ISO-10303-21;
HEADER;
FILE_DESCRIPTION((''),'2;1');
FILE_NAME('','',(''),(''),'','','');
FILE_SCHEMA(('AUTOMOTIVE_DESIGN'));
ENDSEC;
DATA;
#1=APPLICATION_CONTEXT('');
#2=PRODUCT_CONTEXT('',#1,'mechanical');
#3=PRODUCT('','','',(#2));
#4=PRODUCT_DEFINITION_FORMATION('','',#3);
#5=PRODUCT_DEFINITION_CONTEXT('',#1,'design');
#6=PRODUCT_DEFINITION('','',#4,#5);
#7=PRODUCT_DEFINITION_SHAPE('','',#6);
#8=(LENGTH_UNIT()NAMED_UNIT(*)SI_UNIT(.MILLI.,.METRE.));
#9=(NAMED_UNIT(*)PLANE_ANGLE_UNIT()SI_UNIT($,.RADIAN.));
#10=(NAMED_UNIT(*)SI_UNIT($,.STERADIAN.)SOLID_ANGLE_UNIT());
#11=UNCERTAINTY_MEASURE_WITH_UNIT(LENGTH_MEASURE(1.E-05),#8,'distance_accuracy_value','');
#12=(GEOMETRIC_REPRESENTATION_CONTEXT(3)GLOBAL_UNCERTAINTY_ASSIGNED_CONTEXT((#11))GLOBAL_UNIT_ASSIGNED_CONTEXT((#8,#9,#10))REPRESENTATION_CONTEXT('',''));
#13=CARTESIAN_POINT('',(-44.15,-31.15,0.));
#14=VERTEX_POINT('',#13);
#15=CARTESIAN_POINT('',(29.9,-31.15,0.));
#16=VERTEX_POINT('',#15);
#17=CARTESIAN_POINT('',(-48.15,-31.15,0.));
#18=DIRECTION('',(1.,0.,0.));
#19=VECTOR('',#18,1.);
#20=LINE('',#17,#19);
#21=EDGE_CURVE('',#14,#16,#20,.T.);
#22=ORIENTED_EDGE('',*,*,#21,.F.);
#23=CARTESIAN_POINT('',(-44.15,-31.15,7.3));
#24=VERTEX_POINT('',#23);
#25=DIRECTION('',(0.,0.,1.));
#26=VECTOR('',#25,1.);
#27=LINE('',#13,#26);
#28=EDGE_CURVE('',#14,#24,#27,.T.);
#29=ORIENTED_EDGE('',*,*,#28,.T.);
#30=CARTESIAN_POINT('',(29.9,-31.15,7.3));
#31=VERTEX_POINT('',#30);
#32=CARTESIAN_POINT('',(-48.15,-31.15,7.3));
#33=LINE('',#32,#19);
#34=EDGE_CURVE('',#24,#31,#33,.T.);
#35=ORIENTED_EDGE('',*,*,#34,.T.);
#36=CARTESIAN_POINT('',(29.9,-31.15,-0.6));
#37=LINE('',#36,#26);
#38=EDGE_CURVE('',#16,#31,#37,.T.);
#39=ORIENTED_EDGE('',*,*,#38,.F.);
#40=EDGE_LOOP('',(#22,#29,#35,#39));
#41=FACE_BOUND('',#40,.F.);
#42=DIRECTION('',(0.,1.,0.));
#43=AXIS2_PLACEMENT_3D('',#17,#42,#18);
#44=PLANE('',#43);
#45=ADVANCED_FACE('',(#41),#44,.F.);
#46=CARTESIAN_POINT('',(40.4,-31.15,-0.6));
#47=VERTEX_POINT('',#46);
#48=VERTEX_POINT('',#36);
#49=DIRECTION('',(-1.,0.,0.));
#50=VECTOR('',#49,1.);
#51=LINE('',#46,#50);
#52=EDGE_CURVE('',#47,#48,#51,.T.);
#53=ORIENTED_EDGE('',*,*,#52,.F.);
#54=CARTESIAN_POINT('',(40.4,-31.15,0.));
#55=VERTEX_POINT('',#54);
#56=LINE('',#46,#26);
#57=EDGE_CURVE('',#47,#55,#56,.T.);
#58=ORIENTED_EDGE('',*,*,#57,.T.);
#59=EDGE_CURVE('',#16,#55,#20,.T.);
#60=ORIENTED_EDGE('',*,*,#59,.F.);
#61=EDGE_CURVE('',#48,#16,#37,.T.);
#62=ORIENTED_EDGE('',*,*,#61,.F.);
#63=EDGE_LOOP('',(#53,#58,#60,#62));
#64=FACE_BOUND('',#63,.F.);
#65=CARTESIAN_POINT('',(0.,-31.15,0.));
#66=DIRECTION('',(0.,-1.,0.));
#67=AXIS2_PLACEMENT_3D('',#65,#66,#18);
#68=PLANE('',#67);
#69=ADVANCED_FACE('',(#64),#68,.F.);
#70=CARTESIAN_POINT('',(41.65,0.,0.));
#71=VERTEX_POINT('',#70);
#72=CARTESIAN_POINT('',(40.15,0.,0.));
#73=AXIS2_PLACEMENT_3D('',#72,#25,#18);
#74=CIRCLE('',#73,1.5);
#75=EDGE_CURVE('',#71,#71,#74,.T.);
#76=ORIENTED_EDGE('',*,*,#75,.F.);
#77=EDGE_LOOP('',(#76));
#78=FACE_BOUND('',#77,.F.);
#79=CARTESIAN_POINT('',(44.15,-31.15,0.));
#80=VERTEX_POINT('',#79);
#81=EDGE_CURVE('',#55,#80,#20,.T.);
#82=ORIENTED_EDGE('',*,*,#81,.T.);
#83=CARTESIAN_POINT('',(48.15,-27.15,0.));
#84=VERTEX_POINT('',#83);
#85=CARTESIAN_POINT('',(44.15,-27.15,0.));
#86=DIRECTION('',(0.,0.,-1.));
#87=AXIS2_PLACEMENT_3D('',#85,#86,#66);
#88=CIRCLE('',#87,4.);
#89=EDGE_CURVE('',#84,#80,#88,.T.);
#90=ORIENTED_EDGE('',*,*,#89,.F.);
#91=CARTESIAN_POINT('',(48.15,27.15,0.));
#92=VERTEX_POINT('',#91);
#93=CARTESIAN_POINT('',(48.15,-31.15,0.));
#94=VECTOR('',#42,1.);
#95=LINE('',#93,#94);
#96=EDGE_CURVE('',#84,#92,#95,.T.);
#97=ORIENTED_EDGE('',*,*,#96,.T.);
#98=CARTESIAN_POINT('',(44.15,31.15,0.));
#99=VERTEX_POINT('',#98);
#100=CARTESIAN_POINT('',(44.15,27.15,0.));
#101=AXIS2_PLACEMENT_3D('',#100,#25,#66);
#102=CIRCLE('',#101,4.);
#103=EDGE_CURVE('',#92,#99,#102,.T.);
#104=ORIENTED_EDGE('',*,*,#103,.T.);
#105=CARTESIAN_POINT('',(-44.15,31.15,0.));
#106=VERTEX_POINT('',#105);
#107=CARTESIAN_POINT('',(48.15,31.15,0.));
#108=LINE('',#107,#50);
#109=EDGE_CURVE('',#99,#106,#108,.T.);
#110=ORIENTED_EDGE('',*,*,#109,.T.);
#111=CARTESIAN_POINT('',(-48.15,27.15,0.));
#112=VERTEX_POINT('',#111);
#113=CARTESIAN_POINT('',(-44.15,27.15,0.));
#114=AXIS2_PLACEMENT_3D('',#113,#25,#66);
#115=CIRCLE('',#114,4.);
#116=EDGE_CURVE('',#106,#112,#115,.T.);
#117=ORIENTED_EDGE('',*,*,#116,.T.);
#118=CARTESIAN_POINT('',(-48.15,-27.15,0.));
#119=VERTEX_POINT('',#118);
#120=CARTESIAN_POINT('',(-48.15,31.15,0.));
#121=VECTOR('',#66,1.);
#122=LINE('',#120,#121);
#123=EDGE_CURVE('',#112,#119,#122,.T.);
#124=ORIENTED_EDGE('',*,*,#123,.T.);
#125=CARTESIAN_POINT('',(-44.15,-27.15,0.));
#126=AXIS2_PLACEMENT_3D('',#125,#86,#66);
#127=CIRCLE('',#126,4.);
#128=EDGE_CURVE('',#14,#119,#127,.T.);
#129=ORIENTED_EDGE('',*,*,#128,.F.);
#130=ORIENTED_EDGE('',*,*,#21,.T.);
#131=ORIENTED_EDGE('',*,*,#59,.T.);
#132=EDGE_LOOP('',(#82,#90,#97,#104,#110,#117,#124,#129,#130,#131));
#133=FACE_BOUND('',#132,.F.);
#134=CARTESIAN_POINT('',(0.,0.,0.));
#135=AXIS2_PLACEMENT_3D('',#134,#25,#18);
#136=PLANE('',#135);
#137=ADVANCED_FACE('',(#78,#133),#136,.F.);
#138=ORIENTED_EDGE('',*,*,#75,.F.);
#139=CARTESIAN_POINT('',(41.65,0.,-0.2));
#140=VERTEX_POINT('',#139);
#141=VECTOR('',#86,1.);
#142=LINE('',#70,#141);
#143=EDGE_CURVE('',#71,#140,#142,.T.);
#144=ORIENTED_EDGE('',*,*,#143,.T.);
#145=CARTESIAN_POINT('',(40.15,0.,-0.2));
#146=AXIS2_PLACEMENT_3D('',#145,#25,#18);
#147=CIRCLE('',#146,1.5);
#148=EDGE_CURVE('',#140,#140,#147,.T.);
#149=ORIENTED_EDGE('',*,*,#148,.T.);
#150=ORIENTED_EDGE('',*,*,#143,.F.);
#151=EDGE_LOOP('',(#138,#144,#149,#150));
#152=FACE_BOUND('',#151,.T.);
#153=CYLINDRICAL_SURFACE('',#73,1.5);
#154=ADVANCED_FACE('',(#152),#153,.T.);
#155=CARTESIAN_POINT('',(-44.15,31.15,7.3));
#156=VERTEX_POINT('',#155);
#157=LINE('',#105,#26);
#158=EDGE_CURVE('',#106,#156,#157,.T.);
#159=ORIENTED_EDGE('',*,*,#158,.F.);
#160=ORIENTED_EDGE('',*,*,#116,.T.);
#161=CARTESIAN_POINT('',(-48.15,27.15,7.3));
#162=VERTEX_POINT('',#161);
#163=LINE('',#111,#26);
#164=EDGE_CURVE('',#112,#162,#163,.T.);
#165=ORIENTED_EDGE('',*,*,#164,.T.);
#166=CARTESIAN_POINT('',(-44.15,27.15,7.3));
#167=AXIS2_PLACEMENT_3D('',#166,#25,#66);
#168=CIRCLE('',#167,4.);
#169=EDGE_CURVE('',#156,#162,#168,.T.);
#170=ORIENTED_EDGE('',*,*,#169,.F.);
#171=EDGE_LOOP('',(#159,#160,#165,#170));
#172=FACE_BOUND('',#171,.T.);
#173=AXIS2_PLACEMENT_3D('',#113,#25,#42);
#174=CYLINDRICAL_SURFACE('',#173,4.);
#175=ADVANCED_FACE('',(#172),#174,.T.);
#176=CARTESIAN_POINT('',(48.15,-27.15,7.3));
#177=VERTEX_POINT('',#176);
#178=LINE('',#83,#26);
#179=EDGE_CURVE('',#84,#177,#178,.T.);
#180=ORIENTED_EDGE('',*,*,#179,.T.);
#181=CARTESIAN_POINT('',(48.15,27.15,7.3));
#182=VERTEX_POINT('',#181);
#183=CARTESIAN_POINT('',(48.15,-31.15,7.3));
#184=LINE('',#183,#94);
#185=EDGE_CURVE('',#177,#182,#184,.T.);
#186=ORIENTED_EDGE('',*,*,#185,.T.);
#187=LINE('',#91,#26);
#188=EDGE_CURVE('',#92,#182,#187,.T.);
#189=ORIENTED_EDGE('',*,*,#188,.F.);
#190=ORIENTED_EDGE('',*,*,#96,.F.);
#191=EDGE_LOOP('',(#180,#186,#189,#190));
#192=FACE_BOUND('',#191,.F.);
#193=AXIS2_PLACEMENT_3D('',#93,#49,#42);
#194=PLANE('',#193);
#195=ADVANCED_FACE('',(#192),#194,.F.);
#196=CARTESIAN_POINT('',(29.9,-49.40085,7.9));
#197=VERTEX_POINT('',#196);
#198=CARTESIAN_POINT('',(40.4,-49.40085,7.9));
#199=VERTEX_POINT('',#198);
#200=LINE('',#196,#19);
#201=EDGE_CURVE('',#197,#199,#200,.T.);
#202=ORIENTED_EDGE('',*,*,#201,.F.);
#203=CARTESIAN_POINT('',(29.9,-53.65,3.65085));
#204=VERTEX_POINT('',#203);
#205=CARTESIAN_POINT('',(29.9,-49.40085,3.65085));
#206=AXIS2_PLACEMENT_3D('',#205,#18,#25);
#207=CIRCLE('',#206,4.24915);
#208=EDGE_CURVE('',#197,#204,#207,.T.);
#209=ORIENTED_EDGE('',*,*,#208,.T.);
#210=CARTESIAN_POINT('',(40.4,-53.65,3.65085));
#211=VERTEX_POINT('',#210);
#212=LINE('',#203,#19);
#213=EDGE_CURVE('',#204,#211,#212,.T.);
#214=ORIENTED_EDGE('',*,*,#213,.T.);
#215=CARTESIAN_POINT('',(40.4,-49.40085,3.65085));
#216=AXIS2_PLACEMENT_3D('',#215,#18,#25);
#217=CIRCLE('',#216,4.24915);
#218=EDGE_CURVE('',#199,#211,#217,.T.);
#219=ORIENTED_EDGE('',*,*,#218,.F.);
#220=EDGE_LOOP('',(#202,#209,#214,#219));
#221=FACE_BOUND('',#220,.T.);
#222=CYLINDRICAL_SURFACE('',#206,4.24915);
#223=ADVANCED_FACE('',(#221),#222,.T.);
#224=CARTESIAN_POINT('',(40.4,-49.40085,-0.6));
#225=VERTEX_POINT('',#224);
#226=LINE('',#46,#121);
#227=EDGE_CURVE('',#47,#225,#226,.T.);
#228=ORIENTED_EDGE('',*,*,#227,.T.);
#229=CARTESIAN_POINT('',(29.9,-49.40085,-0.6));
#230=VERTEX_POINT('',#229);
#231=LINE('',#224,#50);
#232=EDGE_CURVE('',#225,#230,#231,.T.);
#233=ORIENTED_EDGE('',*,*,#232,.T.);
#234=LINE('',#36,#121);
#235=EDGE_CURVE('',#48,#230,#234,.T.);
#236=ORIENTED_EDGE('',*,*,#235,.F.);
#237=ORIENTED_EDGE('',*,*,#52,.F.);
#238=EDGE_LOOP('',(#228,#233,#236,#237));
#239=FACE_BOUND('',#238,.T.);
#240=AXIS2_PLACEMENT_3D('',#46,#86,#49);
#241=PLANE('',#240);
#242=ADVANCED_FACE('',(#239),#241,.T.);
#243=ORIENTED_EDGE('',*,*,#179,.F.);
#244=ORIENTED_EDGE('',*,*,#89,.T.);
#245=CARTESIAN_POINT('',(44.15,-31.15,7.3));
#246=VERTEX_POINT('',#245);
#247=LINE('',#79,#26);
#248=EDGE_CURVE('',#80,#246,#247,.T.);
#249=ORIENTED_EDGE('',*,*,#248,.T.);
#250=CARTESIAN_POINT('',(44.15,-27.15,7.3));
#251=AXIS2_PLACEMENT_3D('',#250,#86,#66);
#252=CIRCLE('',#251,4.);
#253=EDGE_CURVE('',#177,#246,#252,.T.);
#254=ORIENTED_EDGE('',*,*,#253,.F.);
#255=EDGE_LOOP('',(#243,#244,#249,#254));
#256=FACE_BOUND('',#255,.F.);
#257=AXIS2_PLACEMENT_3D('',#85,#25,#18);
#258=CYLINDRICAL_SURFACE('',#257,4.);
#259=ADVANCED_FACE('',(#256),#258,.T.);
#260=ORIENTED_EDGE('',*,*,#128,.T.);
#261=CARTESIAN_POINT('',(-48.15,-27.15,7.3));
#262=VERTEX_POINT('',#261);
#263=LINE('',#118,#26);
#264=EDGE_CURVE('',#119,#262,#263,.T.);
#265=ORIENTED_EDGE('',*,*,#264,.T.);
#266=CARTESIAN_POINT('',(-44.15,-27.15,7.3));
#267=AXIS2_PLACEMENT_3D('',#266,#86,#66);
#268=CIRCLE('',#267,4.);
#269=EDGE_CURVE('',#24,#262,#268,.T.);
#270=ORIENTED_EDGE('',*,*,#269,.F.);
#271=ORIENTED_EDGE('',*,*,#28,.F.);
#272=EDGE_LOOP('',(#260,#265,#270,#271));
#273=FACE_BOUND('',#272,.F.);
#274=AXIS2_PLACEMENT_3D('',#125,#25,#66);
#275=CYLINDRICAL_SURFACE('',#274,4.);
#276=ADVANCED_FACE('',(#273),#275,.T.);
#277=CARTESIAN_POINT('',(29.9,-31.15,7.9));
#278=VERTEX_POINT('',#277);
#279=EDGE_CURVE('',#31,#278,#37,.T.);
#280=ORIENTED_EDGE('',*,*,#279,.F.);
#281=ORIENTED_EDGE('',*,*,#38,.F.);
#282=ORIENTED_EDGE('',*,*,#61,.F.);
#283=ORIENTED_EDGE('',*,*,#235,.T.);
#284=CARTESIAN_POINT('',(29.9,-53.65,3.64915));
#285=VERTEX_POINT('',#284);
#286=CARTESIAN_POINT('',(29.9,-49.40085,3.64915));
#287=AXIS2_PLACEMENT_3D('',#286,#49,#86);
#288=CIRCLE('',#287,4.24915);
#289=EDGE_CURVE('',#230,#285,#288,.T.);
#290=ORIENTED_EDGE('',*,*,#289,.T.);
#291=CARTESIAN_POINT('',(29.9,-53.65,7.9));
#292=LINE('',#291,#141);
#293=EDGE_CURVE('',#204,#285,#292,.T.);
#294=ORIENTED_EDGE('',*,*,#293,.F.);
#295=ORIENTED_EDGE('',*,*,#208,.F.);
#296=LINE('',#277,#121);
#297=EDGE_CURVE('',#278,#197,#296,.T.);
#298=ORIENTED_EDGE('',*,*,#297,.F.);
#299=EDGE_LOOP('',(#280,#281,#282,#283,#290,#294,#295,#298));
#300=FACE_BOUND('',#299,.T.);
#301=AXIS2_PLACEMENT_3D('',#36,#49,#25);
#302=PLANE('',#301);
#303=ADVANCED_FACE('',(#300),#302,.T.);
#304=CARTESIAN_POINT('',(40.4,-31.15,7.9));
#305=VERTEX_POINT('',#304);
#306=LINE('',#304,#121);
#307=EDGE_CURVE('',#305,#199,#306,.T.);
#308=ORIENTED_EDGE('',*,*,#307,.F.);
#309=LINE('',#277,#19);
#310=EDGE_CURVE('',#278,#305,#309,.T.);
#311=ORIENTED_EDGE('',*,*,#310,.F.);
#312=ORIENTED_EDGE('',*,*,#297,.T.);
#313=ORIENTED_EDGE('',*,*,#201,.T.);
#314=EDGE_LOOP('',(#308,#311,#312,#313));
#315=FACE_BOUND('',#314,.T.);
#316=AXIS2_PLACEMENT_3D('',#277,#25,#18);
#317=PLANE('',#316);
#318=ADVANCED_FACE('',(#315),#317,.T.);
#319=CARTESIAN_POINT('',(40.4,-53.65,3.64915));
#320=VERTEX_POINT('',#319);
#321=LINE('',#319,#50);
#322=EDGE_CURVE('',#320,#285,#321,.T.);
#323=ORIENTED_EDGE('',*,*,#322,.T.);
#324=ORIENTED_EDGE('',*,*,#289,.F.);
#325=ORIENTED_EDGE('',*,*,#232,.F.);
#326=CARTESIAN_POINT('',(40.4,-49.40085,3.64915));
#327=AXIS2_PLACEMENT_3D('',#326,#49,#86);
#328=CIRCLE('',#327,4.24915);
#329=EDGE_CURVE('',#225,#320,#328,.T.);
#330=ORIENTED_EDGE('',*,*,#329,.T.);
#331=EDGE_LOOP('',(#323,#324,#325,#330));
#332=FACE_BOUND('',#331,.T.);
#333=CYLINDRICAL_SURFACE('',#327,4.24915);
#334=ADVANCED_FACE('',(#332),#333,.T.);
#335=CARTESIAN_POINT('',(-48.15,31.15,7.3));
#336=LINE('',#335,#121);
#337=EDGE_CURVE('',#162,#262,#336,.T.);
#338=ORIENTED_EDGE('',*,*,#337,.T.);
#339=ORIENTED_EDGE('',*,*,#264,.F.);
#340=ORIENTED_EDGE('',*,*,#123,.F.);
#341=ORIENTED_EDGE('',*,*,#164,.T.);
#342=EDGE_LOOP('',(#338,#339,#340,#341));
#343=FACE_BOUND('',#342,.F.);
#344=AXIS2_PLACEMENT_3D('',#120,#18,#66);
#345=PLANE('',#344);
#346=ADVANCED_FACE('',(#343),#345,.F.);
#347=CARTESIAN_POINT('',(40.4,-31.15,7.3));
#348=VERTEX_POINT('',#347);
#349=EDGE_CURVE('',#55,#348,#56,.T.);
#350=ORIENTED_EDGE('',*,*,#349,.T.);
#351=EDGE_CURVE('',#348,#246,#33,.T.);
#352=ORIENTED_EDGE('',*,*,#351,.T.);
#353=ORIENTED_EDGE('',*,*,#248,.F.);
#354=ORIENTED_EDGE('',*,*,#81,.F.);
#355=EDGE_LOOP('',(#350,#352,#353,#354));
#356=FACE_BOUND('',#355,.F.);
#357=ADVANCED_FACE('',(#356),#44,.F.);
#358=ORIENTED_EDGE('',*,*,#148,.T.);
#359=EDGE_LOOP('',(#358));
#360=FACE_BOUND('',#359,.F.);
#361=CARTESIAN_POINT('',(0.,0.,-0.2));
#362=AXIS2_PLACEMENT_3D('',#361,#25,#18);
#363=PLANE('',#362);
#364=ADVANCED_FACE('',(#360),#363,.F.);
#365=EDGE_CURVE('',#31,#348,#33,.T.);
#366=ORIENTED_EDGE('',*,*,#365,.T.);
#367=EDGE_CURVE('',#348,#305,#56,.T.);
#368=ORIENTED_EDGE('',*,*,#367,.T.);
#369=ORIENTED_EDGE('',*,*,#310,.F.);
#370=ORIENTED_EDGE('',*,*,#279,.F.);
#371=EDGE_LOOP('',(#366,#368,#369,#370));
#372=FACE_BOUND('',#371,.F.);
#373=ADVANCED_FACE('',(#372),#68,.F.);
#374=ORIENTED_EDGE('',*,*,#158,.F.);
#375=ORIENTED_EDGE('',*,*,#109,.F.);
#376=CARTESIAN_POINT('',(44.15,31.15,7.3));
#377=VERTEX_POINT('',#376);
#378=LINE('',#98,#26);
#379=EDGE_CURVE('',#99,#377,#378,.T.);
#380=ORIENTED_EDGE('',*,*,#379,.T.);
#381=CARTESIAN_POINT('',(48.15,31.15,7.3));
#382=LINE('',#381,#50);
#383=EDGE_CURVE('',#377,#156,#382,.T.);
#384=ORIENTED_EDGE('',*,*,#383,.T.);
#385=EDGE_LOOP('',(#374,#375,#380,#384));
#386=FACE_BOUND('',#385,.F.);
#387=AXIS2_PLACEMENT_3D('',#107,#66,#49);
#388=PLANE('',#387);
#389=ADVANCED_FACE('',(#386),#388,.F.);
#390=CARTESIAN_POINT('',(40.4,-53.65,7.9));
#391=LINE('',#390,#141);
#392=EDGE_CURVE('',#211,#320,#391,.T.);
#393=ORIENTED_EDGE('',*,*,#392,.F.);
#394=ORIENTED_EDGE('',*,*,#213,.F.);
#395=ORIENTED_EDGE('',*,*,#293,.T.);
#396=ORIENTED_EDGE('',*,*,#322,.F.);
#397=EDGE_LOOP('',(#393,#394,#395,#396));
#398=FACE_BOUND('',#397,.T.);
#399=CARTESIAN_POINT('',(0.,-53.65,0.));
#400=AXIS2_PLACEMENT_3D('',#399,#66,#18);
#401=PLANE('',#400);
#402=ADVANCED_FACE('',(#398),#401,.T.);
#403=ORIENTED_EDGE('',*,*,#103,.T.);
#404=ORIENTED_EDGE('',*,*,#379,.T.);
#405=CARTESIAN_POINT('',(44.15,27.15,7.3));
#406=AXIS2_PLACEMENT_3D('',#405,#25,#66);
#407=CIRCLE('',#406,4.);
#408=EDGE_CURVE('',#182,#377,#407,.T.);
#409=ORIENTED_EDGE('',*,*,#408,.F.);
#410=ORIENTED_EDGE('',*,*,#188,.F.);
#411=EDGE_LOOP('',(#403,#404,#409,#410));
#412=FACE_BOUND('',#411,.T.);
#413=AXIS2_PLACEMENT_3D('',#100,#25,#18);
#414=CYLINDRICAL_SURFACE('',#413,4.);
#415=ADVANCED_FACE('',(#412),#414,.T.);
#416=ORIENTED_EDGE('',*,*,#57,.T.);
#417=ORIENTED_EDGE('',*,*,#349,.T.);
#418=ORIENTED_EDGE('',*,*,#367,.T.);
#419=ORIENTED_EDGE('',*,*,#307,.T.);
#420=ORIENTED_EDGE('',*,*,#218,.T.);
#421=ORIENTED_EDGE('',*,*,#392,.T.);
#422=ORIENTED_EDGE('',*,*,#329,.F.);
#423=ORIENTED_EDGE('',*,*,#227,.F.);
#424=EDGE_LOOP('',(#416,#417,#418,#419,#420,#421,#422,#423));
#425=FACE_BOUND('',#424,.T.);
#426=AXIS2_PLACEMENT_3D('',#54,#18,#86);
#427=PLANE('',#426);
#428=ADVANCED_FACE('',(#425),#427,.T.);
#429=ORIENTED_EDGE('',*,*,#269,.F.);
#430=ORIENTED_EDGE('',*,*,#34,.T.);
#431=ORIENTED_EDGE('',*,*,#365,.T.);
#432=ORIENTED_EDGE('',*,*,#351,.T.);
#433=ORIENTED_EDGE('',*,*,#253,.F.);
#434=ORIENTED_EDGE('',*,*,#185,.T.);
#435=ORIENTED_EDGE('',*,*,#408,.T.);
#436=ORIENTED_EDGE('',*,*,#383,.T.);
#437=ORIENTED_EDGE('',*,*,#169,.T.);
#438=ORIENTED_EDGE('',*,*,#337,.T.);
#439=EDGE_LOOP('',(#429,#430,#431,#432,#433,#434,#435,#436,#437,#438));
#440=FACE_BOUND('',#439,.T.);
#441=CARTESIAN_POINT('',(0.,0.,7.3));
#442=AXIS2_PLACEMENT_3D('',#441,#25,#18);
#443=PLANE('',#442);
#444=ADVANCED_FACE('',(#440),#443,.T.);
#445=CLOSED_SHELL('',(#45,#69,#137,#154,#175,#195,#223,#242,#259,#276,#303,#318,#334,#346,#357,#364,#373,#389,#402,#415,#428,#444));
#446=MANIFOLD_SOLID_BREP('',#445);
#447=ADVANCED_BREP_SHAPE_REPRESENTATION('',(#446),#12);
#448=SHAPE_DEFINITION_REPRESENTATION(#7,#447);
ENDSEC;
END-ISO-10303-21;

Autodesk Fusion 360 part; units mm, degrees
sketch "Sketch1" plane through (0, 0, 0) normal (0, 0, 1) x (1, 0, 0)
  line L0 (48.15, 31.15) -> (-48.15, 31.15)
  line L1 (-48.15, 31.15) -> (-48.15, -31.15)
  line L2 (-48.15, -31.15) -> (48.15, -31.15)
  line L3 (48.15, -31.15) -> (48.15, 31.15)
  line L4 (48.15, 31.15) -> (-48.15, -31.15) construction
  line L5 (-48.15, 31.15) -> (48.15, -31.15) construction
  line L6 (0, 0) -> (48.15, 0) construction
  circle A0 centre (40.15, 0) radius 1.5
  dimension "d1" = 96.3
  dimension "d2" = 62.3
  dimension "d10" = 3
  dimension "d11" = 8
extrude "Extrude1" add sketch "Sketch1" along normal blind 7.3 contours L0 L1 L2 L3 | A0
fillet "Fillet1" radius 4 4 edges at (-48.15, -31.15, 3.65) (48.15, -31.15, 3.65) (48.15, 31.15, 3.65) (-48.15, 31.15, 3.65)
extrude "Extrude2" add sketch "Sketch1" against normal blind 0.2 contours A0
sketch "Sketch3" plane through (0, -31.15, 0) normal (0, -1, 0) x (1, 0, 0)
  line L0 (44.15, 0) -> (44.15, 7.3)
  line L1 (44.15, 7.3) -> (-44.15, 7.3)
  line L2 (-44.15, 7.3) -> (-44.15, 0)
  line L3 (-44.15, 0) -> (44.15, 0)
  line L4 (48.15, 0) -> (48.15, 7.3) construction
  line L5 (48.15, 3.65) -> (35.15, 3.65) construction
  line L6 (40.4, -0.6) -> (29.9, -0.6)
  line L7 (29.9, -0.6) -> (29.9, 7.9)
  line L8 (29.9, 7.9) -> (40.4, 7.9)
  line L9 (40.4, 7.9) -> (40.4, -0.6)
  line L10 (40.4, -0.6) -> (29.9, 7.9) construction
  line L11 (29.9, -0.6) -> (40.4, 7.9) construction
  point P0 (35.15, 3.65)
  dimension "d16" = 13
  dimension "d17" = 10.5
  dimension "d18" = 8.5
extrude "Extrude3" add sketch "Sketch3" along normal blind 22.5 contours L3 L6 L7 L9 | L1 L3 L7 L9 | L1 L7 L8 L9
fillet "Fillet2" radius 4.25 2 edges at (35.15, -53.65, -0.6) (35.15, -53.65, 7.9)
equation "d1 = powerBankLength"
equation "d2 = powerBankWidth"
equation "clearanceStationary = 0.125 mm"
equation "clearanceMoving = 2 * clearanceStationary"
equation "powerBankWidth = 62.3 mm"
equation "powerBankLength = 96.3 mm"
equation "powerBankHeight = 7.3 mm"
equation "d8 = powerBankHeight"
equation "d17 = usbPlugWidth"
equation "d18 = usbPlugHeight"
equation "usbPlugWidth = 10.5 mm"
equation "usbPlugHeight = 8.5 mm"
equation "usbPlugLength = 22.5 mm"
equation "d22 = usbPlugLength"
equation "d25 = usbPlugHeight / 2"
